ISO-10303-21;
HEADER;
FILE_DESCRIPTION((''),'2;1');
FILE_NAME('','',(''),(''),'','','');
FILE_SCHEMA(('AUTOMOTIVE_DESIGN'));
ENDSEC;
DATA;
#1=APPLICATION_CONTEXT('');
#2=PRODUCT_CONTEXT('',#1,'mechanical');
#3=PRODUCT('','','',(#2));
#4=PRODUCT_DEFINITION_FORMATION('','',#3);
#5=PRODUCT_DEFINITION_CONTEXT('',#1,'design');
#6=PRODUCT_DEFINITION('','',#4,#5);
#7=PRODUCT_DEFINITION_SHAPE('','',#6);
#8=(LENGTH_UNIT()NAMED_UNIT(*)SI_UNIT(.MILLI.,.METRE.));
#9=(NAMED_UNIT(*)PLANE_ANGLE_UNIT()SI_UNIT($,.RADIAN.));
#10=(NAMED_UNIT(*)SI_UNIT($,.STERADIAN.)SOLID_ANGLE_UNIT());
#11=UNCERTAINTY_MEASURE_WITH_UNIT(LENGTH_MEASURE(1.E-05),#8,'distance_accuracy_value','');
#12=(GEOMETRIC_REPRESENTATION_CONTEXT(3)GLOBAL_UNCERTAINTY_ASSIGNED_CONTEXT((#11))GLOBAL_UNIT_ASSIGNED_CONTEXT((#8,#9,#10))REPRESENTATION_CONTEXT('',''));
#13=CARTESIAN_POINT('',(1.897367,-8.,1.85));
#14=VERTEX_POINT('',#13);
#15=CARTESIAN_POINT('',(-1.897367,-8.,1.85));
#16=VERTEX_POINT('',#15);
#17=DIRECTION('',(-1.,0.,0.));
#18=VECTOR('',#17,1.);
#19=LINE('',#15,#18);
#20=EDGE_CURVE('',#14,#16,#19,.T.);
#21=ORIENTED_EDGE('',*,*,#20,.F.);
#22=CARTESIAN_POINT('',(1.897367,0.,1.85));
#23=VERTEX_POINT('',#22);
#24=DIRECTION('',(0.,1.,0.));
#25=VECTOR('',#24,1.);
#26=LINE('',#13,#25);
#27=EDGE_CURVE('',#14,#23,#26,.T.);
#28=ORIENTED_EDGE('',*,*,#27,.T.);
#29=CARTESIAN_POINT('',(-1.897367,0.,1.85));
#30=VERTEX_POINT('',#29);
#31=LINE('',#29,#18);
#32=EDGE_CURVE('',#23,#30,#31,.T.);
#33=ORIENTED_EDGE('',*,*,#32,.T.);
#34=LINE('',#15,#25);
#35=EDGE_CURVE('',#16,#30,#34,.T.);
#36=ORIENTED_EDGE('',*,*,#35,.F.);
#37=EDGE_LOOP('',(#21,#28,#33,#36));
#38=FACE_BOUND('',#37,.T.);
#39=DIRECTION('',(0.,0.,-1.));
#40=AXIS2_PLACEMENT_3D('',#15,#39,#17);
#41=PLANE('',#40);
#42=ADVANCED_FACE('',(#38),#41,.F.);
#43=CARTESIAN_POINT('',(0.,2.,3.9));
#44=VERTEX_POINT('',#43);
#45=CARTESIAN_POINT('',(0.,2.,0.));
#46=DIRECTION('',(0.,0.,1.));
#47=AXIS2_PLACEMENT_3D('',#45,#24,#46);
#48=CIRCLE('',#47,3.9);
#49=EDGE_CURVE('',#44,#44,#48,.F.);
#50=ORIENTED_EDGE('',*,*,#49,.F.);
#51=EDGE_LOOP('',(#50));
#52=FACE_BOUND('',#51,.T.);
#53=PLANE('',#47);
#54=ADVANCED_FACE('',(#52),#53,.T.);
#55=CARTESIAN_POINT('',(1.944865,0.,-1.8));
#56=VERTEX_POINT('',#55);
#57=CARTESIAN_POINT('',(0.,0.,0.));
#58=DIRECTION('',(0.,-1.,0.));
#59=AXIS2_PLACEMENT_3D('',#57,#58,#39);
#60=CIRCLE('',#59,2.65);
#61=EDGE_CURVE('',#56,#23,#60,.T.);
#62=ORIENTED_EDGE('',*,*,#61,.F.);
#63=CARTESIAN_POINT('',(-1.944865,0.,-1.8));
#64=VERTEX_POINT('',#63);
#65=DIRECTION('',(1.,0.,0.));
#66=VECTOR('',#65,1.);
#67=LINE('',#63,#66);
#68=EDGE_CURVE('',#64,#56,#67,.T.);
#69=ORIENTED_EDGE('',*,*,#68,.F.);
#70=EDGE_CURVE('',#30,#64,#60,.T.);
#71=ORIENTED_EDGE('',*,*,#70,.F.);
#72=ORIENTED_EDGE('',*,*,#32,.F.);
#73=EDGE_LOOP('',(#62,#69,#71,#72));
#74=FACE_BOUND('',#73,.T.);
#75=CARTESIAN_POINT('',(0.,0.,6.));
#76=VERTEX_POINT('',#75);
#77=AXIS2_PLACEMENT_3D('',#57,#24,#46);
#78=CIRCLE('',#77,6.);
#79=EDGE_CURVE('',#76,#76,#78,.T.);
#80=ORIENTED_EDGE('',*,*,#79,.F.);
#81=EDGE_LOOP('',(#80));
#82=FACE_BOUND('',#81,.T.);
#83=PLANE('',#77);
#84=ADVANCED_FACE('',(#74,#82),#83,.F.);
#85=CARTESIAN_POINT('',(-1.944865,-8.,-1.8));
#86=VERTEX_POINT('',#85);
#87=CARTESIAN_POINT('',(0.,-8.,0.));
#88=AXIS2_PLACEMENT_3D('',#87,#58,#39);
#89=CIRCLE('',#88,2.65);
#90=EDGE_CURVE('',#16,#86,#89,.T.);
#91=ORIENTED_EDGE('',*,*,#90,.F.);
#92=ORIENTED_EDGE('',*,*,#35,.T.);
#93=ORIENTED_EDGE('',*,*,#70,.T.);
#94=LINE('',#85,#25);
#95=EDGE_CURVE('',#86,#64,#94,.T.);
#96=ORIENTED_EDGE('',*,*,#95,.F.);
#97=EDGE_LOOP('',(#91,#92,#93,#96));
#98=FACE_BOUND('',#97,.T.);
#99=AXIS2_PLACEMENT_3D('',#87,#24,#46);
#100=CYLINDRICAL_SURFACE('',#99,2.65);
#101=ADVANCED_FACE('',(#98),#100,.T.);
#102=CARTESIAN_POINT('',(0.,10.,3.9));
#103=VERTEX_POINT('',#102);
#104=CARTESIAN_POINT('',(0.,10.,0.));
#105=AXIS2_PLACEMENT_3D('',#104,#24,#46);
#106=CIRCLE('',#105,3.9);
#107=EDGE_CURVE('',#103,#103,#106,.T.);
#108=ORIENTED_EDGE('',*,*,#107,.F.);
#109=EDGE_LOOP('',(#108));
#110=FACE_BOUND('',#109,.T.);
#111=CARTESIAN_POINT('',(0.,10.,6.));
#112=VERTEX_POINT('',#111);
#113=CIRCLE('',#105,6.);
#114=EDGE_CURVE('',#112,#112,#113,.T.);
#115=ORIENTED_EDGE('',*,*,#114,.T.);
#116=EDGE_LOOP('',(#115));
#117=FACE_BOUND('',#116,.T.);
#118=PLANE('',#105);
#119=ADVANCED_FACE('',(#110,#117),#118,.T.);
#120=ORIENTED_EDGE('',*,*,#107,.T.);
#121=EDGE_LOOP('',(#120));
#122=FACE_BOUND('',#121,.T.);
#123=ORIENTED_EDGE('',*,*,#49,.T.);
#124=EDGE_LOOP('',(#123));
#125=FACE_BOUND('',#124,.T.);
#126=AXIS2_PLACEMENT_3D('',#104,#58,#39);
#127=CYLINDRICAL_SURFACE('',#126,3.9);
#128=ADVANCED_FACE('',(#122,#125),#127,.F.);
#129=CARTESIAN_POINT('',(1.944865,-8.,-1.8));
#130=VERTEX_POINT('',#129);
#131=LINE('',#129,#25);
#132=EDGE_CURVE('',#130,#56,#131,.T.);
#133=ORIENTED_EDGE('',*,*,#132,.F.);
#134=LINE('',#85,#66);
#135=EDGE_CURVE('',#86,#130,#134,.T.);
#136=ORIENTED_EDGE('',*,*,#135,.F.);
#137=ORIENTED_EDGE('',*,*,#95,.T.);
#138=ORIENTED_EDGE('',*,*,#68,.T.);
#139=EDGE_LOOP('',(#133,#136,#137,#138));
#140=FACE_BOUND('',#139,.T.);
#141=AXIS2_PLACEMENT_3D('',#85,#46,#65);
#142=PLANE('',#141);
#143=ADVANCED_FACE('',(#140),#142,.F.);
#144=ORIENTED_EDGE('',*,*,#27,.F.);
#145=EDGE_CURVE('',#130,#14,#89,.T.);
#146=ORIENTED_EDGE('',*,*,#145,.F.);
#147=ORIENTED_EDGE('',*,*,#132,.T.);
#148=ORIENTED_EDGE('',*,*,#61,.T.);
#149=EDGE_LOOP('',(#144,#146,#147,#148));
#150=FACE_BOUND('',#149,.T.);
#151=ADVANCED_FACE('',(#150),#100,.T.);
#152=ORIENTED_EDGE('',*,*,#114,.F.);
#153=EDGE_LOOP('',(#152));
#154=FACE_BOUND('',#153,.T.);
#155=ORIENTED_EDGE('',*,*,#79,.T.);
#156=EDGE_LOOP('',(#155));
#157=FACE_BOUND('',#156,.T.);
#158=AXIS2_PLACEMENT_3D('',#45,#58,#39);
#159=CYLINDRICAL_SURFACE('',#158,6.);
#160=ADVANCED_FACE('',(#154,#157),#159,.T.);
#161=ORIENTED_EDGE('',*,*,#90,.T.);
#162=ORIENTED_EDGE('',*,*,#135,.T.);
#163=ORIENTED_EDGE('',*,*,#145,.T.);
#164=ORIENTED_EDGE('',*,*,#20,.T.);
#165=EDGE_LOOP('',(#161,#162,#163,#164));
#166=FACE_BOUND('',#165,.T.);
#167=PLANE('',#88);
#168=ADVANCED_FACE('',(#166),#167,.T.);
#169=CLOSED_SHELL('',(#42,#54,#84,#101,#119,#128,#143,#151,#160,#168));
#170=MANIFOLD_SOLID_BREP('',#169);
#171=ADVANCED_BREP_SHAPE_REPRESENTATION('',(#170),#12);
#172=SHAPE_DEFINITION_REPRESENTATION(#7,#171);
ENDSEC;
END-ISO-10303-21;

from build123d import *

# Parameters (mm, degrees)
SKETCH1_R           = 6
BOSS_EXTRUDE1_DEPTH = 2
SKETCH2_R           = 6
SKETCH2_R_2         = 3.9
BOSS_EXTRUDE2_DEPTH = 8
BOSS_EXTRUDE3_DEPTH = 8


with BuildPart() as part:
    # Sketch1 → Boss-Extrude1 (new body)
    with BuildSketch(Plane(origin=(0, 0, 0), x_dir=(1, 0, 0), z_dir=(0, 1, 0))):
        with Locations(Location((0, 0, 0), (0, 0, 270))):
            Circle(SKETCH1_R)
    extrude(amount=BOSS_EXTRUDE1_DEPTH)

    # Sketch2 → Boss-Extrude2 (add)
    with BuildSketch(Plane(origin=(0, 2, 0), x_dir=(1, 0, 0), z_dir=(0, 1, 0))):
        with Locations(Location((0, 0, 0), (0, 0, 270))):
            Circle(SKETCH2_R)
        with Locations(Location((0, 0, 0), (0, 0, 270))):
            Circle(SKETCH2_R_2, mode=Mode.SUBTRACT)
    extrude(amount=BOSS_EXTRUDE2_DEPTH)

    # Sketch3 → Boss-Extrude3 (add)
    with BuildSketch(Plane.XZ):
        with BuildLine():
            Line((-1.897366596, 1.85), (1.897366596, 1.85))
            ThreePointArc((1.897366596, 1.85), (2.649775646, 0.034482248), (1.944865034, -1.8))
            Line((1.944865034, -1.8), (-1.944865034, -1.8))
            ThreePointArc((-1.944865034, -1.8), (-2.649775646, 0.034482248), (-1.897366596, 1.85))
        make_face()
    extrude(amount=BOSS_EXTRUDE3_DEPTH)


solid = part.part
